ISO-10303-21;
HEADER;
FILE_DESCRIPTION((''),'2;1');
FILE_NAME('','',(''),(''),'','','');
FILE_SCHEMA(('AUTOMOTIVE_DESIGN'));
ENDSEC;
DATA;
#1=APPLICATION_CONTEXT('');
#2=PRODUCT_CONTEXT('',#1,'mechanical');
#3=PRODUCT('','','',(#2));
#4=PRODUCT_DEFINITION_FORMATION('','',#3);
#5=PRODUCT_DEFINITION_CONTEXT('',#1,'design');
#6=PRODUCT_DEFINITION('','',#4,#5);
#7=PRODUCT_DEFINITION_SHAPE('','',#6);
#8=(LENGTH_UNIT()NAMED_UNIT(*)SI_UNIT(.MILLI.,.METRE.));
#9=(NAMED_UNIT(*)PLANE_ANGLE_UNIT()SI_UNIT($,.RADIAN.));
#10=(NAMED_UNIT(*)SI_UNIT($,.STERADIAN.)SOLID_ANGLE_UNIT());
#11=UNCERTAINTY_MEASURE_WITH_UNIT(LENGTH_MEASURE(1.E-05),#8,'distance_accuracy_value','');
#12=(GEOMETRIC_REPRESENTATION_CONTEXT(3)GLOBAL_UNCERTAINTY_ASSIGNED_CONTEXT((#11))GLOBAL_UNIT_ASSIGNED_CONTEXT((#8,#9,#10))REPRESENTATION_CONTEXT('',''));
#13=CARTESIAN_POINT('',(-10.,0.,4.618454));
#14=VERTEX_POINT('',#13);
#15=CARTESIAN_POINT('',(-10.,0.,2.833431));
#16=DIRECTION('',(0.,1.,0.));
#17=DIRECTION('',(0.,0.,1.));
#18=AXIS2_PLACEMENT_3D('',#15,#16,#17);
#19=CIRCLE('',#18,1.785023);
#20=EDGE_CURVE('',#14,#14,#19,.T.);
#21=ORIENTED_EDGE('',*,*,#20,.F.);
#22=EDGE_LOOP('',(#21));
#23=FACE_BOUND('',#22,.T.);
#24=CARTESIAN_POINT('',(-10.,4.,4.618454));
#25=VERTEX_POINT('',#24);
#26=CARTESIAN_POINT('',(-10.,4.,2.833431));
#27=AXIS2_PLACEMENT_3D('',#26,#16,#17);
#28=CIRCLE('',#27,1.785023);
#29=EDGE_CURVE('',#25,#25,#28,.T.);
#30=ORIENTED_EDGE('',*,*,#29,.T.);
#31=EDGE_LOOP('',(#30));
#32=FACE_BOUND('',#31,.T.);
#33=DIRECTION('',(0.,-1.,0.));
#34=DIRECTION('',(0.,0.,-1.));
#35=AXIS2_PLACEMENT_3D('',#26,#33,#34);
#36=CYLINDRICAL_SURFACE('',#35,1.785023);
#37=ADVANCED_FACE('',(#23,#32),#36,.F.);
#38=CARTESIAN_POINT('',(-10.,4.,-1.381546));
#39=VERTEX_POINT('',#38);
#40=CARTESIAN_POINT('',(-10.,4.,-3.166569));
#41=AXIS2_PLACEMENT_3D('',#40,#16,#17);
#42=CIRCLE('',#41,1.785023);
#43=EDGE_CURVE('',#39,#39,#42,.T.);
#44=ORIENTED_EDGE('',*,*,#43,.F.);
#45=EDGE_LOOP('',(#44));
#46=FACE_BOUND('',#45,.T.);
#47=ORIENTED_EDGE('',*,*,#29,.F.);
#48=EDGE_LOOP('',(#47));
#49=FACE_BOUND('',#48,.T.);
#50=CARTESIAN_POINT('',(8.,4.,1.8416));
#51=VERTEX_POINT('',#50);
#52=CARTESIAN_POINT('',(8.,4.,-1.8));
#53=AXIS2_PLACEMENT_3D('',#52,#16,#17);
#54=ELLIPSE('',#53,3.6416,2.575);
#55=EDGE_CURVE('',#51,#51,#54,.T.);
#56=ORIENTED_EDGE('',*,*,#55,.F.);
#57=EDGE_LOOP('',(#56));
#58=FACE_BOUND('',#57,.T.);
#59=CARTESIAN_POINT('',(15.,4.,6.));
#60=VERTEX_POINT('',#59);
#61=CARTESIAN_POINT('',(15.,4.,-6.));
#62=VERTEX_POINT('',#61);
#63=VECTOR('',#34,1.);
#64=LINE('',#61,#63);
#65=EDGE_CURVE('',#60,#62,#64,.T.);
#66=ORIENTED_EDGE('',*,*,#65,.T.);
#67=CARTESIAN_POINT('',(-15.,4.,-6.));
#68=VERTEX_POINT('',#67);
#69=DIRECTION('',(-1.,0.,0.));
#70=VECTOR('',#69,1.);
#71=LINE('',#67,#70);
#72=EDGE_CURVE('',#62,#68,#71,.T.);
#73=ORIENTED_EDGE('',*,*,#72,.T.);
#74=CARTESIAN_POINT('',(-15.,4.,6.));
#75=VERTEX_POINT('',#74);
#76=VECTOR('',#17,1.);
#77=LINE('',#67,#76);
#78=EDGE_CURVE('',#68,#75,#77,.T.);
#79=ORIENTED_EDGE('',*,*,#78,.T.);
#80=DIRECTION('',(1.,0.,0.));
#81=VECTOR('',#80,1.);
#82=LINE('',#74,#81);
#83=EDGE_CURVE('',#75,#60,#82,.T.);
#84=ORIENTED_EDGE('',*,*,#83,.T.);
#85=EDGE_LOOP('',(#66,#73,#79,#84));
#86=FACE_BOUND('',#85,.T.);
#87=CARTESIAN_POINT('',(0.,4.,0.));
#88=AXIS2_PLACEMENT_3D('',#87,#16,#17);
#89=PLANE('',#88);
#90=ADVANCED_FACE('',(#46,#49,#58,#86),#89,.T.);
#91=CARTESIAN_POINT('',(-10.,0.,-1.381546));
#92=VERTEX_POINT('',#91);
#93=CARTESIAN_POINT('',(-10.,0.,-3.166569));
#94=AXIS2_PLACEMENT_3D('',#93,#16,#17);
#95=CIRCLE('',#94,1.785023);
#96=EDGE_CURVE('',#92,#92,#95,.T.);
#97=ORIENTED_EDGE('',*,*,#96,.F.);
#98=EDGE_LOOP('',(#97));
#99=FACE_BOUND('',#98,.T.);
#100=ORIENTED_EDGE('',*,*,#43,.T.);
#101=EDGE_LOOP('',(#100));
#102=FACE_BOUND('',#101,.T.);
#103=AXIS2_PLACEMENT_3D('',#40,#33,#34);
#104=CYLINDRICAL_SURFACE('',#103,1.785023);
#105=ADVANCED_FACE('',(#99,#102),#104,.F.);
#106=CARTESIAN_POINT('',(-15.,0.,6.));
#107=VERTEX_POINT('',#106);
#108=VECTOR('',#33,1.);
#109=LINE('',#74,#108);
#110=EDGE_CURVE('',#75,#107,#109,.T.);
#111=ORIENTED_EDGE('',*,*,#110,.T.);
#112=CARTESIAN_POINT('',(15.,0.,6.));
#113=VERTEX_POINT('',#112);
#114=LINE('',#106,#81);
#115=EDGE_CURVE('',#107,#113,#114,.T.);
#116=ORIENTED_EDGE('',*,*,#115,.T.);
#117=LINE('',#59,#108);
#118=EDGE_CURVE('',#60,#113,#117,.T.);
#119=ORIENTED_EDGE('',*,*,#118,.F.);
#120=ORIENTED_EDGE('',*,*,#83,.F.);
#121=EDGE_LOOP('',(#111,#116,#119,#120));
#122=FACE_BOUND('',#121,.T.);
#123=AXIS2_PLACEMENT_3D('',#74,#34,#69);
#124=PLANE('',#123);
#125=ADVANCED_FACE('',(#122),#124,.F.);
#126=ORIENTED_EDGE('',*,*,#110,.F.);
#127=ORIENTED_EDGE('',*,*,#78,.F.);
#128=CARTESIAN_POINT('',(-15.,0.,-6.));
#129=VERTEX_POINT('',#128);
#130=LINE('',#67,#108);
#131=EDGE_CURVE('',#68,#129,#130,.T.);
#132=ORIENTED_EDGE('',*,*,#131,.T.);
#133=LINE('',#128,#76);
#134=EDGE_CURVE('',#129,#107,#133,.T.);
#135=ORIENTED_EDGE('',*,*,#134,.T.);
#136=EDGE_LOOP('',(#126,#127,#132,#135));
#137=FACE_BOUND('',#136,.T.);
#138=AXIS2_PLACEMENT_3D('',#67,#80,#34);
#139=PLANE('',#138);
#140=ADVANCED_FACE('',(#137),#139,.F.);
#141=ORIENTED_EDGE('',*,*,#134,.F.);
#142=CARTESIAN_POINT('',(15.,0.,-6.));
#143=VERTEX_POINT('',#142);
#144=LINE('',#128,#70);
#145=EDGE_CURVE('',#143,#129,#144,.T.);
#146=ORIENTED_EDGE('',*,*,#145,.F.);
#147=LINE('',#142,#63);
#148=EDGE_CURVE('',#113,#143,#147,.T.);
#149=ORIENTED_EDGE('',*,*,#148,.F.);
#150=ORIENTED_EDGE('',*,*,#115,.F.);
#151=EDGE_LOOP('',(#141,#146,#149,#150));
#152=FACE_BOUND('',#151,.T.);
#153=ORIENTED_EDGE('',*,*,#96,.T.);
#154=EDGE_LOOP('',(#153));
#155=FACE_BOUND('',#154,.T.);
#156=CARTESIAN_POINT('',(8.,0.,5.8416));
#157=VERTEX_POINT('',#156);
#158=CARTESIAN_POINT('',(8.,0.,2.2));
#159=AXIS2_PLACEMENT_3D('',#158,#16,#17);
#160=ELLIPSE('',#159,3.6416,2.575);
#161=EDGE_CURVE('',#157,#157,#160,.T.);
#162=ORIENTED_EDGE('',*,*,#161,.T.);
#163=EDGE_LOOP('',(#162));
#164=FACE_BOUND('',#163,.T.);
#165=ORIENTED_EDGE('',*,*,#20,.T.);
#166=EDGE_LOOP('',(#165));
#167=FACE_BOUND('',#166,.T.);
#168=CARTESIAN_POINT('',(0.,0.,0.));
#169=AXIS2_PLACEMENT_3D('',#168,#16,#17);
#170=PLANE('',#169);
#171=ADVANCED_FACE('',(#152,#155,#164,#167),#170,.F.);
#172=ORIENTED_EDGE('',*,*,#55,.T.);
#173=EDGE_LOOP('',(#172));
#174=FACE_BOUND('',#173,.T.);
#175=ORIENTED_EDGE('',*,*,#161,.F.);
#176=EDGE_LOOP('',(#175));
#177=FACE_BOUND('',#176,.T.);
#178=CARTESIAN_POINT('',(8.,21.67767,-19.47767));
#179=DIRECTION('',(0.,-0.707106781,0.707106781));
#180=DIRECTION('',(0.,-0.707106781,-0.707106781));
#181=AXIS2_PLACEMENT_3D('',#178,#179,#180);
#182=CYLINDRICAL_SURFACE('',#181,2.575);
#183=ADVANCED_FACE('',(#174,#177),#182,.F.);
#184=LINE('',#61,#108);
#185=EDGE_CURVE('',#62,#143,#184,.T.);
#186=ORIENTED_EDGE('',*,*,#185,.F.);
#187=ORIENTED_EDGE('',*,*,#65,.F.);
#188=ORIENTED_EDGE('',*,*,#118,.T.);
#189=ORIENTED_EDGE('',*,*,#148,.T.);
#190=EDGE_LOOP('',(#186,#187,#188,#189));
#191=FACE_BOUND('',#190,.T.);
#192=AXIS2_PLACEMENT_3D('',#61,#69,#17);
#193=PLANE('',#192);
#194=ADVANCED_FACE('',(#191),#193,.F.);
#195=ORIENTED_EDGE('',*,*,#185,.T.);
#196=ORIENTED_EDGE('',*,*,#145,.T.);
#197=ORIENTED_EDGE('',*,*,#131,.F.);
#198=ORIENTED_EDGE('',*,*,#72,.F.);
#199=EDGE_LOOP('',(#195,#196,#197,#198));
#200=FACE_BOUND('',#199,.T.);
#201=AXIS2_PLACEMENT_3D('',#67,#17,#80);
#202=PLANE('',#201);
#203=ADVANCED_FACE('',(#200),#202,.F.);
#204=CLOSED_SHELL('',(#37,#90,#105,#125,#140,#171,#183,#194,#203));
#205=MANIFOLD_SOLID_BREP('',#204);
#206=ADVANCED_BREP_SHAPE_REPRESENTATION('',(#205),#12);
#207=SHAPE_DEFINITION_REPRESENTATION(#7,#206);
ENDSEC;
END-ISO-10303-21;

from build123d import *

# Parameters (mm, degrees)
SCHIZZO1_W                   = 30
SCHIZZO1_H                   = 12
SCHIZZO1_R                   = 1.785023435
ESTRUSIONE_ESTRUSIONE1_DEPTH = 4
SCHIZZO3_R                   = 2.575
TAGLIO_ESTRUSIONE2_DEPTH     = 25


with BuildPart() as part:
    # Schizzo1 → Estrusione-Estrusione1 (new body)
    with BuildSketch(Plane(origin=(0, 0, 0), x_dir=(1, 0, 0), z_dir=(0, 1, 0))):
        Rectangle(SCHIZZO1_W, SCHIZZO1_H)
        with Locations(Location((-10, 3.166569094, 0), (0, 0, 270))):
            Circle(SCHIZZO1_R, mode=Mode.SUBTRACT)
        with Locations(Location((-10, -2.833430906, 0), (0, 0, 270))):
            Circle(SCHIZZO1_R, mode=Mode.SUBTRACT)
    extrude(amount=ESTRUSIONE_ESTRUSIONE1_DEPTH)

    # Schizzo3 → Taglio-Estrusione2 (cut, symmetric)
    with BuildSketch(Plane(origin=(0, 2.9, -2.9), x_dir=(1, 0, 0), z_dir=(0, -0.7071067811865512, 0.7071067811865438))):
        with Locations(Location((8, 1.555634919, 0), (0, 0, 90))):
            Circle(SCHIZZO3_R)
    extrude(amount=TAGLIO_ESTRUSIONE2_DEPTH, both=True, mode=Mode.SUBTRACT)


solid = part.part
